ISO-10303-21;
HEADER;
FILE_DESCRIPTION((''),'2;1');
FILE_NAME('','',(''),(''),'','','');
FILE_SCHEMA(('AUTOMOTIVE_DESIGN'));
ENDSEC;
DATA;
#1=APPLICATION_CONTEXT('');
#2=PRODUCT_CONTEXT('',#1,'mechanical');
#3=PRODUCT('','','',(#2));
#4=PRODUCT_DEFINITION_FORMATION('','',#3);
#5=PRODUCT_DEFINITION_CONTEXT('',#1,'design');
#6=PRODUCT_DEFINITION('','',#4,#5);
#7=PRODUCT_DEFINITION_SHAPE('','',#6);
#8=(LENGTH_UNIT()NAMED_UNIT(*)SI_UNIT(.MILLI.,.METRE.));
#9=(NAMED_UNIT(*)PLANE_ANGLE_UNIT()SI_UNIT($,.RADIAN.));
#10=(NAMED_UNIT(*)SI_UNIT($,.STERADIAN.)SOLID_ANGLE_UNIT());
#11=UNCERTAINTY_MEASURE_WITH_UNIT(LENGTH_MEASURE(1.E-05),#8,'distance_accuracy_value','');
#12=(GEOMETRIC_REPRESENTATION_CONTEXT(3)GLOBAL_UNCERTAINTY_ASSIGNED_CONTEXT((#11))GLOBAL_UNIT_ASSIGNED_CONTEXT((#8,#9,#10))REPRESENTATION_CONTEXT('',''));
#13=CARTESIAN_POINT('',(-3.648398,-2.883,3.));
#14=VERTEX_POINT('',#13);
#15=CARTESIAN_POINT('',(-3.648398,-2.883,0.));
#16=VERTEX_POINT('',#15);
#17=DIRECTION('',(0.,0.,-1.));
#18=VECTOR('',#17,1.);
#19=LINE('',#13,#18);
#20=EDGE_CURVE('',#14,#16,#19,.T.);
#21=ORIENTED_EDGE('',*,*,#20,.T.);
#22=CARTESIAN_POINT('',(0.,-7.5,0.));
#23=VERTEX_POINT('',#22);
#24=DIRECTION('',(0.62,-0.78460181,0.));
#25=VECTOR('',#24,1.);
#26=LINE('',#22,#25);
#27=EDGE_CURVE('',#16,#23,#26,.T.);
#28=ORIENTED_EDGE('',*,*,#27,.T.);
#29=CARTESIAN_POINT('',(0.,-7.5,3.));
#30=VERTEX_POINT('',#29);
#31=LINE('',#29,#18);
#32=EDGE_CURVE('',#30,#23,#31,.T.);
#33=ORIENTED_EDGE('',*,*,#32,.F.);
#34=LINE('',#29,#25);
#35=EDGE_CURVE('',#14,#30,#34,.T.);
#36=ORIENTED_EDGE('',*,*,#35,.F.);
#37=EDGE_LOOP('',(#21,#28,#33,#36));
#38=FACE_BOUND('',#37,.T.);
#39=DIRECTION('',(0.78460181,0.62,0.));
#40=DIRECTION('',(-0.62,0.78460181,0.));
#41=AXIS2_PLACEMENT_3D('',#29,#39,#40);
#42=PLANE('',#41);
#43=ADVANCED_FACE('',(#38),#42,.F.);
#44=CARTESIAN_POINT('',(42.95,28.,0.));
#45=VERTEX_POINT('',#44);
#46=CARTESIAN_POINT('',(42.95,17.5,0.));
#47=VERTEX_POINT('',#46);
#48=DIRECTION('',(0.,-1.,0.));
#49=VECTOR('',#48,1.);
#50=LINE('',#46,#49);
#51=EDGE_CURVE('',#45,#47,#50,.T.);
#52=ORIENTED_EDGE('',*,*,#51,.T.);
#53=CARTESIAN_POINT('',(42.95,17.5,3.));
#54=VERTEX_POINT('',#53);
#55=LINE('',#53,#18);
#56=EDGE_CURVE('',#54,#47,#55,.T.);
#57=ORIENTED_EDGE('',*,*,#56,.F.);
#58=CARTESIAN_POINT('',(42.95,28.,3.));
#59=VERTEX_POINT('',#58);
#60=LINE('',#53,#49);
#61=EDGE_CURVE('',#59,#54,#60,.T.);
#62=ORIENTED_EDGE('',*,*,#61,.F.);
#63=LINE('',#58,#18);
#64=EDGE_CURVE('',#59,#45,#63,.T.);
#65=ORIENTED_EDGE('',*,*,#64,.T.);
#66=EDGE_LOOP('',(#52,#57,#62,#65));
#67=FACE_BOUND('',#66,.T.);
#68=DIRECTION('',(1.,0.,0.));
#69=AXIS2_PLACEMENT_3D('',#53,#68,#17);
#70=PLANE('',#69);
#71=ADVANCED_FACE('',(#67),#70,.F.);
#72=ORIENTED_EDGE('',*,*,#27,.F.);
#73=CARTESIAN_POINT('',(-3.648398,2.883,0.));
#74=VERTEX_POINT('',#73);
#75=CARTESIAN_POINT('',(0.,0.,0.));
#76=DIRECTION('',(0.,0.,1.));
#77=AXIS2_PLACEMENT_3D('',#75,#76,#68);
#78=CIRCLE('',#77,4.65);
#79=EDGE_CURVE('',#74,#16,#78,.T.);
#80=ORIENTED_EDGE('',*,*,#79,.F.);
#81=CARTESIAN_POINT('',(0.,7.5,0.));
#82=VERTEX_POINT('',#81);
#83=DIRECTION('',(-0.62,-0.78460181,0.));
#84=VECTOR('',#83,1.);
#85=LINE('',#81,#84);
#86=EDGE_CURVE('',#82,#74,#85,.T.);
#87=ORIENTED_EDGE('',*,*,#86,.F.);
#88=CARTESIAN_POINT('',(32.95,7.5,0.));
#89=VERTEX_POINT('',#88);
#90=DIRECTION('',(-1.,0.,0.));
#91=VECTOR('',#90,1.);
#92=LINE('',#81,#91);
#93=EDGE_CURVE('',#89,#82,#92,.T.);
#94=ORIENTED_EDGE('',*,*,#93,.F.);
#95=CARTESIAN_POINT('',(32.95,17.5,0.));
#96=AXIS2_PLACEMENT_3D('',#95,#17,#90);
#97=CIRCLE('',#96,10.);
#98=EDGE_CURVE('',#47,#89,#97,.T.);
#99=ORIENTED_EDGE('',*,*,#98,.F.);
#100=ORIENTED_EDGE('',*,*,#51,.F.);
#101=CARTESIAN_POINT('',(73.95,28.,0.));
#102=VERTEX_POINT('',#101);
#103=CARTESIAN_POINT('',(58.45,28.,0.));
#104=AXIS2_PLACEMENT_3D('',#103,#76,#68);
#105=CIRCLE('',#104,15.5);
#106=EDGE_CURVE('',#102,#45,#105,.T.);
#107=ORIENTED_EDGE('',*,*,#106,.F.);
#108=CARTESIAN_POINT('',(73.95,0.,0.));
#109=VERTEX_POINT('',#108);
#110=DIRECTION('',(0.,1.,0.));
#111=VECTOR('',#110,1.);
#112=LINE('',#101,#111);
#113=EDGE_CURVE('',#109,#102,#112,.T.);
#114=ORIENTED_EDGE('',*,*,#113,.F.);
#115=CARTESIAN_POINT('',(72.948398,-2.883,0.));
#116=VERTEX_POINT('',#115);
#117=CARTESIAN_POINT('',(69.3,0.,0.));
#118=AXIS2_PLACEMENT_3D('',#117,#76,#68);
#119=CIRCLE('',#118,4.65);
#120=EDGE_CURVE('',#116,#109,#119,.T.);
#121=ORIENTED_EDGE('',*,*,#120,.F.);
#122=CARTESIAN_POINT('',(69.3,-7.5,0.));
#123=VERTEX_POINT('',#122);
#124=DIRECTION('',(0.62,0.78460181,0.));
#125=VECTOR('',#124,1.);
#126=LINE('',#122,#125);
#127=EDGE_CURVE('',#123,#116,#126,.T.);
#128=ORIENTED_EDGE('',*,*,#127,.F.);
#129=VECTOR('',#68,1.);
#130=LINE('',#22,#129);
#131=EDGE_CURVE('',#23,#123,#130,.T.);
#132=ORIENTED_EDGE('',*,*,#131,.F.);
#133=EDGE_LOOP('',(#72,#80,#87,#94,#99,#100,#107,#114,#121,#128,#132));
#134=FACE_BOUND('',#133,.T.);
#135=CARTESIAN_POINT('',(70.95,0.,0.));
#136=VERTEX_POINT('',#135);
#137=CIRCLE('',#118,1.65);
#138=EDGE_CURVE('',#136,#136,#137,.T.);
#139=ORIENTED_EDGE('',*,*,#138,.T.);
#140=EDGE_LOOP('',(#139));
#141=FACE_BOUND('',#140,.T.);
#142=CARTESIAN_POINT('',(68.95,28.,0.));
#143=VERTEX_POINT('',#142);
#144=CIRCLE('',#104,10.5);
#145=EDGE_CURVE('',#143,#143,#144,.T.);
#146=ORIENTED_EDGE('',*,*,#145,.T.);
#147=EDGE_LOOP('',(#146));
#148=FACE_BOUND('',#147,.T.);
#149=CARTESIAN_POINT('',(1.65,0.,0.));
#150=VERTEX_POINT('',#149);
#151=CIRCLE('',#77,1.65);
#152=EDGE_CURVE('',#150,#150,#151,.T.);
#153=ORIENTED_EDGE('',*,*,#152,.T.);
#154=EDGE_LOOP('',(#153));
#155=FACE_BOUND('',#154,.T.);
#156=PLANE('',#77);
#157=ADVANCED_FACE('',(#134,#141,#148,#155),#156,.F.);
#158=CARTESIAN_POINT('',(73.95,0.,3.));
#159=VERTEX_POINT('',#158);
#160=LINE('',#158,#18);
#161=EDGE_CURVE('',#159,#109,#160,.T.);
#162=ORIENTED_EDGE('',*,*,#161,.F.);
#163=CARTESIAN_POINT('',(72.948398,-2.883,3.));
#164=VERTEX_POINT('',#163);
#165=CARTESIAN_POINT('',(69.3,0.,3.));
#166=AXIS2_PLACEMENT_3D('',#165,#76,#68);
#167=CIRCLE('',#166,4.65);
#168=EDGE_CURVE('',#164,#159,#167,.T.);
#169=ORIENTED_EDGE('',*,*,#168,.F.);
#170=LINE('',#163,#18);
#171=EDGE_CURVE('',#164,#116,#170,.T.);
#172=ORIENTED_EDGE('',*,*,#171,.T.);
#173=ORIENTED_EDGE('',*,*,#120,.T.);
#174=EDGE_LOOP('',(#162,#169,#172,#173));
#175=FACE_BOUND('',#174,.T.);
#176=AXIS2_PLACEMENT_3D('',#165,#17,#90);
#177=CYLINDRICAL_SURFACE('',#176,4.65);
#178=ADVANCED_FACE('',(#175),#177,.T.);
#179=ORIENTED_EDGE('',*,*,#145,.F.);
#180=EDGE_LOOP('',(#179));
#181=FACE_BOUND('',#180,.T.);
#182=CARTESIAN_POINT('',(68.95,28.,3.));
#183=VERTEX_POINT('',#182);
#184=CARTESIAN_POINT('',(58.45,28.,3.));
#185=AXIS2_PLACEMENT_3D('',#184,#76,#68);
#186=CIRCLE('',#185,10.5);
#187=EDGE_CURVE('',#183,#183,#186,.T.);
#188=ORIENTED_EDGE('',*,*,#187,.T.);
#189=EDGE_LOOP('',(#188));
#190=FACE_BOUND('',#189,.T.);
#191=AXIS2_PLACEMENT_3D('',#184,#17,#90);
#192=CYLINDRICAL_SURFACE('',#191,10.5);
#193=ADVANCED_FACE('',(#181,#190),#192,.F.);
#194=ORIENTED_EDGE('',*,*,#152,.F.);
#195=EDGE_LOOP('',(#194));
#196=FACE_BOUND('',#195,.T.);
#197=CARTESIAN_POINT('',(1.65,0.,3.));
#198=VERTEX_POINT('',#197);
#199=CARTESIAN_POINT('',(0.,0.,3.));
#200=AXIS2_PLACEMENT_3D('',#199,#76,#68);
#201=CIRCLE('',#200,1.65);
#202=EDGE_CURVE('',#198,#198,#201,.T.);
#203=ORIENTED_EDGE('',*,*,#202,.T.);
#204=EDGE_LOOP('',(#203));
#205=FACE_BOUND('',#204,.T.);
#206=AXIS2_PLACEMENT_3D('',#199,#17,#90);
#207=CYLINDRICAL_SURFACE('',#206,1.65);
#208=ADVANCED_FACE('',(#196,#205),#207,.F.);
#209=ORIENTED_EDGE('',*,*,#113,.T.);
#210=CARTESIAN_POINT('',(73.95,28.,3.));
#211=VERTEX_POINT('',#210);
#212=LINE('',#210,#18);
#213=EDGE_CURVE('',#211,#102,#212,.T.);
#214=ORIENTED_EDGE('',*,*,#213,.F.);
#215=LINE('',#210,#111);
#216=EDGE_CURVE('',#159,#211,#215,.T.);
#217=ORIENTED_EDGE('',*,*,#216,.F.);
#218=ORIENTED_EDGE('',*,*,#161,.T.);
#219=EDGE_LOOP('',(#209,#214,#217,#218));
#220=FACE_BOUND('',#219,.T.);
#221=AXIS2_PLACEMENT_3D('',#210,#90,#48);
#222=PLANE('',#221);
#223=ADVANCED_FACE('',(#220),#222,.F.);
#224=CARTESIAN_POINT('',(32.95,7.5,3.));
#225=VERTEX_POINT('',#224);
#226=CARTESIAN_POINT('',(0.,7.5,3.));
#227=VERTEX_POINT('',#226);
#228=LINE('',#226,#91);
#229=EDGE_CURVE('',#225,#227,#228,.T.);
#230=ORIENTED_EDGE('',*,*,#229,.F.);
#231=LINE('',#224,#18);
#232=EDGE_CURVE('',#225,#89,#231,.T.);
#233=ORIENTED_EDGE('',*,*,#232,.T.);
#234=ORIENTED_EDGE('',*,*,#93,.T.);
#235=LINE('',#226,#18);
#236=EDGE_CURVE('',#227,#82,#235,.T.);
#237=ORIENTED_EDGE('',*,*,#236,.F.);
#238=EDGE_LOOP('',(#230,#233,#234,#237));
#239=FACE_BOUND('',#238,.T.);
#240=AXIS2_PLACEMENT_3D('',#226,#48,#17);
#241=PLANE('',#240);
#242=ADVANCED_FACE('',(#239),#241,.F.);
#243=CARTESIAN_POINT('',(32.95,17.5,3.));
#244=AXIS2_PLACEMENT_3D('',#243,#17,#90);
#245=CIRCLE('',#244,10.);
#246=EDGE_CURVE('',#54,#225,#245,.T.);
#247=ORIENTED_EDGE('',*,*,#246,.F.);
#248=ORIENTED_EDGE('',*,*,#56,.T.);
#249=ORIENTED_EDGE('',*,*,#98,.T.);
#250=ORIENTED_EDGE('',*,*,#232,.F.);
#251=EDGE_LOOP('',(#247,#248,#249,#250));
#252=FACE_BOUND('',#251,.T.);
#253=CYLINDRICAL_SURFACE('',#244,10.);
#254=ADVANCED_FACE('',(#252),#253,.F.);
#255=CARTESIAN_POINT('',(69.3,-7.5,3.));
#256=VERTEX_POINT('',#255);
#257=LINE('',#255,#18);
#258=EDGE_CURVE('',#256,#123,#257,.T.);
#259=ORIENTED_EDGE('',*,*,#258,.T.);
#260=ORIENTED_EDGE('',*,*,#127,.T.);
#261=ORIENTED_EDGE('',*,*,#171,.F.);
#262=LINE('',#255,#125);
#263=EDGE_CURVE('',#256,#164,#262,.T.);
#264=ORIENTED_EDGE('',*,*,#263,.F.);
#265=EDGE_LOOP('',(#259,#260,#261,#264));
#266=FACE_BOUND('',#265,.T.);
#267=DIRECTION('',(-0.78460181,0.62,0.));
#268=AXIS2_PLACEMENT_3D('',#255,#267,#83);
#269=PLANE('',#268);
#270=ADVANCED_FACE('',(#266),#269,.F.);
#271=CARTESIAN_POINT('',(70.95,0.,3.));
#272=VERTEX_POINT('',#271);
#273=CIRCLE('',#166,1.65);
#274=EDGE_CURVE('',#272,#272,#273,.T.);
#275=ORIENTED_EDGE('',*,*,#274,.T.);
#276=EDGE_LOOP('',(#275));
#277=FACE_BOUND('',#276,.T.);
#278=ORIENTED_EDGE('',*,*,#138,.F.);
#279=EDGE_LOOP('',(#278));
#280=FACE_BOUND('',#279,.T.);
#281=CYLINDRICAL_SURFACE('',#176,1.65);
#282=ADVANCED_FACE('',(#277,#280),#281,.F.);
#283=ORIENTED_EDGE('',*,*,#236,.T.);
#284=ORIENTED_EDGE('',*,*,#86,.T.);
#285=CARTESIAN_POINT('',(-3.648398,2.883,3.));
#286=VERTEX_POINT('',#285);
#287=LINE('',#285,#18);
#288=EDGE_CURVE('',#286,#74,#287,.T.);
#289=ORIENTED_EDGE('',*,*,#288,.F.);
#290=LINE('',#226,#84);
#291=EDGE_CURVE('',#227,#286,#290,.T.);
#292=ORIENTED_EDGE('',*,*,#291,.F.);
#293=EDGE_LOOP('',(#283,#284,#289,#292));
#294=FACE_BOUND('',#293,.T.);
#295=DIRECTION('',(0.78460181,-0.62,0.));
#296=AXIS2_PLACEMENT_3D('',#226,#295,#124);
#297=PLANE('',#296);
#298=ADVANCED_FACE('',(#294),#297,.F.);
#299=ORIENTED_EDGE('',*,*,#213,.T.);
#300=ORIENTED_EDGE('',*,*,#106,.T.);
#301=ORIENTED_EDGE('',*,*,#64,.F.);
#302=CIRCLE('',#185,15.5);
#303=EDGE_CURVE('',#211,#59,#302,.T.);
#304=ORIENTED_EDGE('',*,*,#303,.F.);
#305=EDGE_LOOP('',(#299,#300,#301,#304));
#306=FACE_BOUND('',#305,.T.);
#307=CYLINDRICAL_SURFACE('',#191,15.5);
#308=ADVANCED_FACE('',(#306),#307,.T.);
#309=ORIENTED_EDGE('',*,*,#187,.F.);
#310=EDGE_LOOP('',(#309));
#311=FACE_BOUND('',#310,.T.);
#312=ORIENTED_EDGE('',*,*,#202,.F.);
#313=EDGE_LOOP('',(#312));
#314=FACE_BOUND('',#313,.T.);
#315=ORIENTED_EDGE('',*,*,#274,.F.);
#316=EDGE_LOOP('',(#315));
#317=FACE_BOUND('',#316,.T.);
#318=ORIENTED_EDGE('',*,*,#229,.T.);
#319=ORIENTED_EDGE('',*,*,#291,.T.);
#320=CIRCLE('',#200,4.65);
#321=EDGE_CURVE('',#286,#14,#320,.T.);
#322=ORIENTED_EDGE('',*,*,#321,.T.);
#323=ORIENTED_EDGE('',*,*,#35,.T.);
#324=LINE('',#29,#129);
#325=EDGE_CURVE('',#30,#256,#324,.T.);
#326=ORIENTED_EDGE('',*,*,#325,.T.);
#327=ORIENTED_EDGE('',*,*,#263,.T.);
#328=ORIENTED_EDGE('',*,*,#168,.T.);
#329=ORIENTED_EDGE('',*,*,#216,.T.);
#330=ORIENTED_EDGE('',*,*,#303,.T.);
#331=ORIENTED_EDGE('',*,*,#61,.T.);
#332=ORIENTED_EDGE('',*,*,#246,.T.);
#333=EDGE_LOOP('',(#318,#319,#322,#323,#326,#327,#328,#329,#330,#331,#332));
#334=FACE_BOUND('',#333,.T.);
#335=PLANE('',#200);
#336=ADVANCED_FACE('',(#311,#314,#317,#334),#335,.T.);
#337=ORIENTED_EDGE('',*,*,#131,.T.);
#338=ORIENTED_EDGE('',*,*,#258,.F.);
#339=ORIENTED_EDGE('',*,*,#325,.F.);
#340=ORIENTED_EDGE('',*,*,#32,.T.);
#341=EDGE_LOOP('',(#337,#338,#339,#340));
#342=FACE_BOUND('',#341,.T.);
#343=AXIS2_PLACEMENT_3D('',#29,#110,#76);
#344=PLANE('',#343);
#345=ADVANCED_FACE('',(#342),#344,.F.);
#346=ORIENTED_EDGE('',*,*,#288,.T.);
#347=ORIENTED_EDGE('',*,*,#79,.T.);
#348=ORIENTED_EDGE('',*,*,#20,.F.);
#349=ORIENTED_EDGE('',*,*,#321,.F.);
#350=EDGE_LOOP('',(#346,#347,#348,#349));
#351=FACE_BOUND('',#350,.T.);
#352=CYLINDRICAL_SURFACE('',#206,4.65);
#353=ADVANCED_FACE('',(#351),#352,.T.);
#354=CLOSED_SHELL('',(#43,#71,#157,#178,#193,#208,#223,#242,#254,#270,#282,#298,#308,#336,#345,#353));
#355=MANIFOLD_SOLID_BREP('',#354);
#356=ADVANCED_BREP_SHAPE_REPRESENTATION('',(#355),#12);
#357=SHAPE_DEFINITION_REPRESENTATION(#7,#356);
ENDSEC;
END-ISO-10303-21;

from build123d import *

# Parameters (mm, degrees)
SKETCH1_R           = 1.65
SKETCH1_R_2         = 10.5
BOSS_EXTRUDE1_DEPTH = 3


with BuildPart() as part:
    # Sketch1 → Boss-Extrude1 (new body)
    with BuildSketch(Plane.XY):
        with BuildLine():
            Line((0, 7.5), (32.95, 7.5))
            ThreePointArc((32.95, 7.5), (40.021067812, 10.428932188), (42.95, 17.5))
            Line((42.95, 17.5), (42.95, 28))
            ThreePointArc((42.95, 28), (58.45, 43.5), (73.95, 28))
            Line((73.95, 28), (73.95, 0))
            ThreePointArc((73.95, 0), (73.692468135, -1.526015624), (72.948398416, -2.883))
            Line((72.948398416, -2.883), (69.3, -7.5))
            Line((69.3, -7.5), (0, -7.5))
            Line((0, -7.5), (-3.648398416, -2.883))
            ThreePointArc((-3.648398416, -2.883), (-4.65, 0), (-3.648398416, 2.883))
            Line((-3.648398416, 2.883), (0, 7.5))
        make_face()
        Circle(SKETCH1_R, mode=Mode.SUBTRACT)
        with Locations((69.3, 0)):
            Circle(SKETCH1_R, mode=Mode.SUBTRACT)
        with Locations((58.45, 28)):
            Circle(SKETCH1_R_2, mode=Mode.SUBTRACT)
    extrude(amount=BOSS_EXTRUDE1_DEPTH)


solid = part.part
